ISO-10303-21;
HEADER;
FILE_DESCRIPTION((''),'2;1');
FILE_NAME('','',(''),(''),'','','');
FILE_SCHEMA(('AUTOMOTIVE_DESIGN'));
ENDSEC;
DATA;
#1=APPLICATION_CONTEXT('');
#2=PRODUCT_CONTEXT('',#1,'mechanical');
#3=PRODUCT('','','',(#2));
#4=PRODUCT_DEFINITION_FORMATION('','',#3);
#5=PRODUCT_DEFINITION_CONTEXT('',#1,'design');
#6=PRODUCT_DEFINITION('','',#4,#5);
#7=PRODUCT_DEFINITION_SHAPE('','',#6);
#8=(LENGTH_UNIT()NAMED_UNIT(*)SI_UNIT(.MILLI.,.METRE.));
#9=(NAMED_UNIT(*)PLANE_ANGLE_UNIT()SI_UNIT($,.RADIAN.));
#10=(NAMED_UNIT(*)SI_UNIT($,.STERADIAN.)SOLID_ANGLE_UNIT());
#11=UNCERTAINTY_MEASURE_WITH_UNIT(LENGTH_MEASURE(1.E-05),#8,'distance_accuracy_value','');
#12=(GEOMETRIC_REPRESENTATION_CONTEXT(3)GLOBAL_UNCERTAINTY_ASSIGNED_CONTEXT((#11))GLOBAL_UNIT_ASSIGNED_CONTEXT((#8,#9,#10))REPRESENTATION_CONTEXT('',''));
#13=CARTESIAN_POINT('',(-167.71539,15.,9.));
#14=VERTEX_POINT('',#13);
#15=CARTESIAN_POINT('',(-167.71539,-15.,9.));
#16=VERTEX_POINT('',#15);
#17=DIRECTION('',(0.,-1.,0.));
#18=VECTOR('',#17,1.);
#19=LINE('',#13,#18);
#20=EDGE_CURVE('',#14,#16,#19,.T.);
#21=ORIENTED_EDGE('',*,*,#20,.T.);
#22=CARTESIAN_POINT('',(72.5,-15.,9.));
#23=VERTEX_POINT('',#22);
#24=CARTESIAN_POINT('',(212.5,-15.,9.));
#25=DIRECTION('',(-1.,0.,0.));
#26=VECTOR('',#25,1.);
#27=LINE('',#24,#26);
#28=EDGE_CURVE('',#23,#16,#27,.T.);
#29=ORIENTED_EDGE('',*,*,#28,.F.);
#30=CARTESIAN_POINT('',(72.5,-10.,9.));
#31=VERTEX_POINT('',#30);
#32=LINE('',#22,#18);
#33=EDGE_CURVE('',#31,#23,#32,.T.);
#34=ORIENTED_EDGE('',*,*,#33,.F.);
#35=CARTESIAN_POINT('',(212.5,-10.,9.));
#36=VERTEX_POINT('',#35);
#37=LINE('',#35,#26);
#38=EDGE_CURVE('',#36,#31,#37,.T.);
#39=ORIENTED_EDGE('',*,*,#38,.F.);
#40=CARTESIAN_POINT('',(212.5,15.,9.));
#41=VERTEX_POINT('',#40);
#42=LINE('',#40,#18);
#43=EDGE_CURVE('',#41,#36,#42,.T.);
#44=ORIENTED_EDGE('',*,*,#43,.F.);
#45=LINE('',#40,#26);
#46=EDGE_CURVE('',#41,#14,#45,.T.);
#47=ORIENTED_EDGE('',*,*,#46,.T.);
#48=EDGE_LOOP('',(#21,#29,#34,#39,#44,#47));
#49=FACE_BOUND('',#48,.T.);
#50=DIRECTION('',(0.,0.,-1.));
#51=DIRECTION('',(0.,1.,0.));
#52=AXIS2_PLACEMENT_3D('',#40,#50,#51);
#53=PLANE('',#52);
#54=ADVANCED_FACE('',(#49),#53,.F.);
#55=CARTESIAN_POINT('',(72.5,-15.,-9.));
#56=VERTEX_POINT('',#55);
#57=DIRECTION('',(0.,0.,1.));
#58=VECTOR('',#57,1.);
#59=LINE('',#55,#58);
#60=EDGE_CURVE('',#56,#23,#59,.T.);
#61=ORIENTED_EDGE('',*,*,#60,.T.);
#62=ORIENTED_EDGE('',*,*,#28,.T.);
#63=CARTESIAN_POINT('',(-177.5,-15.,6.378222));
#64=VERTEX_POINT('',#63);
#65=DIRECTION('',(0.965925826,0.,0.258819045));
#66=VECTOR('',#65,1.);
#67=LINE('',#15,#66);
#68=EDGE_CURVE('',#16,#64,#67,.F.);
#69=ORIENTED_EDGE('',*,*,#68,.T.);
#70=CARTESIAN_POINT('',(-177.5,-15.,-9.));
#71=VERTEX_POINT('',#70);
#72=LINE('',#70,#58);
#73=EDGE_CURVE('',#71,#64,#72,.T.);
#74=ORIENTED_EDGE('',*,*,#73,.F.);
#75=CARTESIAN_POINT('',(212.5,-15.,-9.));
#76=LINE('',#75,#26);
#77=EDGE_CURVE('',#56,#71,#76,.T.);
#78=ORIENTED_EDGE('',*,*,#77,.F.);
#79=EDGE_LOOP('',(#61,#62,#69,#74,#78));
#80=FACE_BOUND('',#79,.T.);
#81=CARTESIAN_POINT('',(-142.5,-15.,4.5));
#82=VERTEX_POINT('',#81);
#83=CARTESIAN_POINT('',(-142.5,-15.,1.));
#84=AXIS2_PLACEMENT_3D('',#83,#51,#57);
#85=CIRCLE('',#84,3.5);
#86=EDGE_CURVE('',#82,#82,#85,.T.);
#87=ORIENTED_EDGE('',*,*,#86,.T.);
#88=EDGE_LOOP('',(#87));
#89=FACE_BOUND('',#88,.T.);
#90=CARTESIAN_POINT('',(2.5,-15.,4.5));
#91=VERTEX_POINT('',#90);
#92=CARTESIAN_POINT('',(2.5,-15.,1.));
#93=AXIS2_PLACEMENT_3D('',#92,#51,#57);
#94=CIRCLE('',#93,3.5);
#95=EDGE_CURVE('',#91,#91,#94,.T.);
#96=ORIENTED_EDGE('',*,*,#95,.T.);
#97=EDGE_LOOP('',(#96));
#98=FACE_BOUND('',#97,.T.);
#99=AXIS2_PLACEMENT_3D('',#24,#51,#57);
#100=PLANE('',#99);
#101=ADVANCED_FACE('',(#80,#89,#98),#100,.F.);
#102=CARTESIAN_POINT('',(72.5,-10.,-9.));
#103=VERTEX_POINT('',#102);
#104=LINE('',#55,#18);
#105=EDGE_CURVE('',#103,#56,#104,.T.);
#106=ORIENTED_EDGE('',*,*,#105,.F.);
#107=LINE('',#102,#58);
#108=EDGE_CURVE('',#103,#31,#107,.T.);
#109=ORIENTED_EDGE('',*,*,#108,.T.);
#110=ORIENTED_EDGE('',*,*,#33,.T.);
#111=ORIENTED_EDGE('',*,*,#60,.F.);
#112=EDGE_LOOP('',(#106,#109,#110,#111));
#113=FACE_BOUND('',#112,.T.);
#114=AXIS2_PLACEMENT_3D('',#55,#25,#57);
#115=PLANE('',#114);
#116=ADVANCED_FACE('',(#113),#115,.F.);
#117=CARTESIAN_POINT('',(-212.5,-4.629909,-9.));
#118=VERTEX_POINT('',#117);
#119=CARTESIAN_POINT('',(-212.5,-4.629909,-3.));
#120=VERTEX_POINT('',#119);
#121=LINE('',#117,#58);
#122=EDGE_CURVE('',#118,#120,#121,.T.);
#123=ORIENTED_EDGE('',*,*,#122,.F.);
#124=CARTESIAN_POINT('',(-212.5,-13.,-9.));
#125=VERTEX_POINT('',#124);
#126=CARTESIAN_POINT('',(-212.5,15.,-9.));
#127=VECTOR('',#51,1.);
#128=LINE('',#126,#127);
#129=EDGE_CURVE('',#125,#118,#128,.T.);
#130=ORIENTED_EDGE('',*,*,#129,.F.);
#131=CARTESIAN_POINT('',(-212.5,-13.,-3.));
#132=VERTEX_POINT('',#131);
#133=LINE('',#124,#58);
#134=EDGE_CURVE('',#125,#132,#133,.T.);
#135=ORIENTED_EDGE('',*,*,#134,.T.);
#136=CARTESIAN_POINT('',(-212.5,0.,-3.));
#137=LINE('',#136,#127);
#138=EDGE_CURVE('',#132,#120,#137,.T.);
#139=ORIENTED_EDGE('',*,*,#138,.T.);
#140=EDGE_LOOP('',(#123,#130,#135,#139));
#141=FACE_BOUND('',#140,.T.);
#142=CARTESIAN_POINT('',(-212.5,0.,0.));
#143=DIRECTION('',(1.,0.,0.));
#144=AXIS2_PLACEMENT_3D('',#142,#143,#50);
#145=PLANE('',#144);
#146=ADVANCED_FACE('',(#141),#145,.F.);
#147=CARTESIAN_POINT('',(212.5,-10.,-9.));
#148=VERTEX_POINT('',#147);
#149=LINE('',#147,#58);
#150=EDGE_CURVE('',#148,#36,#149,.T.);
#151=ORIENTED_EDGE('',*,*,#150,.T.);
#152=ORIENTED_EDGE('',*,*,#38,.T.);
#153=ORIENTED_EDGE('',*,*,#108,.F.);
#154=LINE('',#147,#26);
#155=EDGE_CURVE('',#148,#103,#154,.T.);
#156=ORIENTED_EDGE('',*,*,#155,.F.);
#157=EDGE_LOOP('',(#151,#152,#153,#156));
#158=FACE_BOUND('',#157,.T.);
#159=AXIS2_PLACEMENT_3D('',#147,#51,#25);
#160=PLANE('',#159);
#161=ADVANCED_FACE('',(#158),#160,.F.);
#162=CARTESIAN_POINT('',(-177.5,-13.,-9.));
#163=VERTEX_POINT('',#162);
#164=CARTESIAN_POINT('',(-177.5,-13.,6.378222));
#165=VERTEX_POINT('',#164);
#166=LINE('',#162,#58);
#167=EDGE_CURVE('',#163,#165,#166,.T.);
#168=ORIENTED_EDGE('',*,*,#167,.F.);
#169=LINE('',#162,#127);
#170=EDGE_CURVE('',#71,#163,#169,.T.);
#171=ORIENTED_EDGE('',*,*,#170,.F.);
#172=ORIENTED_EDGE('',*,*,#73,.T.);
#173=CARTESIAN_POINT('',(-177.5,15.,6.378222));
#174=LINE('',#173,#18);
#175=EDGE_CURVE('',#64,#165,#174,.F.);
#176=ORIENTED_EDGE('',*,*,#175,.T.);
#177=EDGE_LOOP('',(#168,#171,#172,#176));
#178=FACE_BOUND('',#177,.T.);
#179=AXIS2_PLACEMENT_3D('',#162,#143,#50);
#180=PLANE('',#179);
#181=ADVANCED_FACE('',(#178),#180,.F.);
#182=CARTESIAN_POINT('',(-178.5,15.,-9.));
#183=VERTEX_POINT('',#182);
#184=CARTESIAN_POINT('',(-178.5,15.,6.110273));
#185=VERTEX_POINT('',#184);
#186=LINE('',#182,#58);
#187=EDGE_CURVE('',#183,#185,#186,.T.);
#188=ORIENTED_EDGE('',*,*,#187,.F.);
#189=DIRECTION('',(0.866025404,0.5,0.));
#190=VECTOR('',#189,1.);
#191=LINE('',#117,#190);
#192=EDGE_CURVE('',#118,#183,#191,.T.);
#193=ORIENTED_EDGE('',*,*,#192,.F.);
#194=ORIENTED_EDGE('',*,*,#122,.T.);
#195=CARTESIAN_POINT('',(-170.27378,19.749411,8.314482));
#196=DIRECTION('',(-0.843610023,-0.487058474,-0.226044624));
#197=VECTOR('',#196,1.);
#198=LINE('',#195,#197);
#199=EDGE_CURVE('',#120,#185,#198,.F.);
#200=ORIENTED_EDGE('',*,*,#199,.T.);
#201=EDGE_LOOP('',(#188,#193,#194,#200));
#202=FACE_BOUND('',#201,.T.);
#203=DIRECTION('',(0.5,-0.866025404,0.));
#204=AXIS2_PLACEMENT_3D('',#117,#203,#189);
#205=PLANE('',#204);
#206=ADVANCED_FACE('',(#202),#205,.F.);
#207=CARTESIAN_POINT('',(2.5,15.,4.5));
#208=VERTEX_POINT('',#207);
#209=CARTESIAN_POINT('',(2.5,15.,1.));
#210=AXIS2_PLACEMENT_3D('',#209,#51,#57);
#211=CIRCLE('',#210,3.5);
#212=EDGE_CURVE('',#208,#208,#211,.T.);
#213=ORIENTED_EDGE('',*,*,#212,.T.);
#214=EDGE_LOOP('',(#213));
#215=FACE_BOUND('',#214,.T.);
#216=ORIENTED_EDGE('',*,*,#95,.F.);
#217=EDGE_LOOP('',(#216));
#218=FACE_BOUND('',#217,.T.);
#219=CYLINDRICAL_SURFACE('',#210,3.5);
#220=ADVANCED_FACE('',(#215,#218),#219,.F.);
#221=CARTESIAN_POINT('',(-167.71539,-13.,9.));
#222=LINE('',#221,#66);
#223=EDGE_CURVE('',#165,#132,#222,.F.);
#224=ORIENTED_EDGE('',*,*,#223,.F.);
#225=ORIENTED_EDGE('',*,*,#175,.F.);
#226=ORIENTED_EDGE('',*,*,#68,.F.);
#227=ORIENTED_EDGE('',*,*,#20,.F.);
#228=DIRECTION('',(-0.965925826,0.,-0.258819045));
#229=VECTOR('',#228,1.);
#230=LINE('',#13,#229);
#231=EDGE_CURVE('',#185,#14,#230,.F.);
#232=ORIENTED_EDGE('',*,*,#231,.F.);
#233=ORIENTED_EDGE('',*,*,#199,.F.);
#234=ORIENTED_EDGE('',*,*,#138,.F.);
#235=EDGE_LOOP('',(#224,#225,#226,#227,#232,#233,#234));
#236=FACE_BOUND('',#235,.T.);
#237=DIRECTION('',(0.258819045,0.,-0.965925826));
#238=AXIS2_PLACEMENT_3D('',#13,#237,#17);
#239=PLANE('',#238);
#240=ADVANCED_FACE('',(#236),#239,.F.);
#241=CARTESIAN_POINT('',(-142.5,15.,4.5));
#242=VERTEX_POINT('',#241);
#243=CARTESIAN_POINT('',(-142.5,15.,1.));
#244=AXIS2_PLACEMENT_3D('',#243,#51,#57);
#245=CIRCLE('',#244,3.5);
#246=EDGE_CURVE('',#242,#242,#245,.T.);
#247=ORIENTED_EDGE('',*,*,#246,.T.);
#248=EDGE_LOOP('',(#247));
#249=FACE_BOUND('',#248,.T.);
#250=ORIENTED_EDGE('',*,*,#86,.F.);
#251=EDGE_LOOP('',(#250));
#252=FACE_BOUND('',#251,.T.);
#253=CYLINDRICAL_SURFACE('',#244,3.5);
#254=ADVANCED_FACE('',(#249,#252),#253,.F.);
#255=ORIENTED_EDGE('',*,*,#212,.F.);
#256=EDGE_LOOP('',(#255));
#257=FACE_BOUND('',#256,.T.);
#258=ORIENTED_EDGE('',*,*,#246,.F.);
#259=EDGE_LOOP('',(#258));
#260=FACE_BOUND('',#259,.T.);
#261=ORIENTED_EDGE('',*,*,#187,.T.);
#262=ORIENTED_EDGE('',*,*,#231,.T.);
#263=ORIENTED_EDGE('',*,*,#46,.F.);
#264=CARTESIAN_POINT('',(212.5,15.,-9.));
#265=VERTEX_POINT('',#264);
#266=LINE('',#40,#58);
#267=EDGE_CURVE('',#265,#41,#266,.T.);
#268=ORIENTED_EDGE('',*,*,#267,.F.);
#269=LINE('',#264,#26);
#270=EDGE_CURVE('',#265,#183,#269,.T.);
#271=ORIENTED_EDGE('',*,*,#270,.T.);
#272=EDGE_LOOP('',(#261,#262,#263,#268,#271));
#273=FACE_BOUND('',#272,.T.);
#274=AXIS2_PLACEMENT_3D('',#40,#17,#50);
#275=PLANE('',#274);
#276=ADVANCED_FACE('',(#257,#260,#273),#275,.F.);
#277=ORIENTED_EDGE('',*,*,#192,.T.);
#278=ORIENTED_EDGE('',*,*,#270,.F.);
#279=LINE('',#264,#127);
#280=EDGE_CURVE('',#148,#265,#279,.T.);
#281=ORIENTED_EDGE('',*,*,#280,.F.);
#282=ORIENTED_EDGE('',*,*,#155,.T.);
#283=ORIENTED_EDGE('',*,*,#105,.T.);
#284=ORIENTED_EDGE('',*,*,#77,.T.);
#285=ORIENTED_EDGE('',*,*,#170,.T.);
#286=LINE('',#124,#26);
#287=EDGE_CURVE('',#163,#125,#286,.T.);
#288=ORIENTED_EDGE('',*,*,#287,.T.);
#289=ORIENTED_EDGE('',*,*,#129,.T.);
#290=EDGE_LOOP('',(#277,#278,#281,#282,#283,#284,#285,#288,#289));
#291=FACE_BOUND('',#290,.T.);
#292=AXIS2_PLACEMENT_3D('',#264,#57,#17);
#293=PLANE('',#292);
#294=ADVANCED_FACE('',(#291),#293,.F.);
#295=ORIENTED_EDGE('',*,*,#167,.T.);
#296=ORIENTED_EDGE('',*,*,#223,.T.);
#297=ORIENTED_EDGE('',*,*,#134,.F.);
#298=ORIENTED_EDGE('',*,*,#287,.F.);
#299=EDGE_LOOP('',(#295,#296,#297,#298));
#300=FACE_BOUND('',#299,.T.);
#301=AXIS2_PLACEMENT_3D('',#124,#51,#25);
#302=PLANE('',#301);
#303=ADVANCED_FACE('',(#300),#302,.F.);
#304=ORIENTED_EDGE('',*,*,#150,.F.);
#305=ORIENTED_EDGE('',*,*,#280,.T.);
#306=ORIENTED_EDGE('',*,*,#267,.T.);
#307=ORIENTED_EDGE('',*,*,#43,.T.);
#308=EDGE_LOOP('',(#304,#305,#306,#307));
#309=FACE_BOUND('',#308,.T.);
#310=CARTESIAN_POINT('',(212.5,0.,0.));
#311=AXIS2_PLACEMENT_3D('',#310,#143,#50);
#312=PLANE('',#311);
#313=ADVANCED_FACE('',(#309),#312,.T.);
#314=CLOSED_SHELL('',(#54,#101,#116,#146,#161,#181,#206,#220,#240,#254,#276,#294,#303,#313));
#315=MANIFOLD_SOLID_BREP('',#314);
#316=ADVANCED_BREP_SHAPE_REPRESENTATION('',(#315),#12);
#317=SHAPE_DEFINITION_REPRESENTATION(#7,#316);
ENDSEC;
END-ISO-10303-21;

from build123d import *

# Parameters (mm, degrees)
SKIZZE1_W                       = 18
SKIZZE1_H                       = 30
AUFSATZ_LINEAR_AUSTRAGEN1_DEPTH = 212.5
FASE1_SIZE                      = 12
FASE1_SIZE2                     = 44.784609691
F_7_0_7_DURCHMESSER_BOHRUNG1_D  = 7
SKIZZE4_W                       = 140
SKIZZE4_H                       = 5
SKIZZE4_W_2                     = 35
SKIZZE4_H_2                     = 2
SCHNITT_LINEAR_AUSTRAGEN1_DEPTH = 214.787862144
SCHNITT_LINEAR_AUSTRAGEN2_DEPTH = 214.787862144


with BuildPart() as part:
    # Skizze1 → Aufsatz-Linear austragen1 (new, symmetric)
    with BuildSketch(Plane(origin=(0, 0, 0), x_dir=(0, 0, -1), z_dir=(1, 0, 0))):
        Rectangle(SKIZZE1_W, SKIZZE1_H)
    extrude(amount=AUFSATZ_LINEAR_AUSTRAGEN1_DEPTH, both=True)

    # Fase1
    fase1_edges = [part.edges().sort_by_distance(p)[0] for p in [
        (-212.5, 0, 9),
    ]]
    fase1_side = [part.faces().sort_by_distance(p)[0] for p in [
        (-212.5, 0, 0),
    ]]
    chamfer(fase1_edges, length=FASE1_SIZE, length2=FASE1_SIZE2, reference=fase1_side[0])

    # Ø7.0 (7) Durchmesser Bohrung1 (through all)
    with Locations(Plane(origin=(0, 15, 0), x_dir=(1, 0, 0), z_dir=(0, 1, 0))):
        with Locations((-142.5, -1), (2.5, -1)):
            Hole(F_7_0_7_DURCHMESSER_BOHRUNG1_D / 2)

    # Skizze4 → Schnitt-Linear austragen1 (cut, through all)
    with BuildSketch(Plane.XY.offset(9)):
        with Locations((142.5, -12.5)):
            Rectangle(SKIZZE4_W, SKIZZE4_H)
        with Locations((-195, -14)):
            Rectangle(SKIZZE4_W_2, SKIZZE4_H_2)
    extrude(amount=-SCHNITT_LINEAR_AUSTRAGEN1_DEPTH, mode=Mode.SUBTRACT)

    # Skizze5 → Schnitt-Linear austragen2 (cut, through all)
    with BuildSketch(Plane.XY.offset(9)):
        Polygon((-178.5, 15), (-212.5, 15), (-212.5, -4.629909152), align=None)
    extrude(amount=-SCHNITT_LINEAR_AUSTRAGEN2_DEPTH, mode=Mode.SUBTRACT)


solid = part.part
